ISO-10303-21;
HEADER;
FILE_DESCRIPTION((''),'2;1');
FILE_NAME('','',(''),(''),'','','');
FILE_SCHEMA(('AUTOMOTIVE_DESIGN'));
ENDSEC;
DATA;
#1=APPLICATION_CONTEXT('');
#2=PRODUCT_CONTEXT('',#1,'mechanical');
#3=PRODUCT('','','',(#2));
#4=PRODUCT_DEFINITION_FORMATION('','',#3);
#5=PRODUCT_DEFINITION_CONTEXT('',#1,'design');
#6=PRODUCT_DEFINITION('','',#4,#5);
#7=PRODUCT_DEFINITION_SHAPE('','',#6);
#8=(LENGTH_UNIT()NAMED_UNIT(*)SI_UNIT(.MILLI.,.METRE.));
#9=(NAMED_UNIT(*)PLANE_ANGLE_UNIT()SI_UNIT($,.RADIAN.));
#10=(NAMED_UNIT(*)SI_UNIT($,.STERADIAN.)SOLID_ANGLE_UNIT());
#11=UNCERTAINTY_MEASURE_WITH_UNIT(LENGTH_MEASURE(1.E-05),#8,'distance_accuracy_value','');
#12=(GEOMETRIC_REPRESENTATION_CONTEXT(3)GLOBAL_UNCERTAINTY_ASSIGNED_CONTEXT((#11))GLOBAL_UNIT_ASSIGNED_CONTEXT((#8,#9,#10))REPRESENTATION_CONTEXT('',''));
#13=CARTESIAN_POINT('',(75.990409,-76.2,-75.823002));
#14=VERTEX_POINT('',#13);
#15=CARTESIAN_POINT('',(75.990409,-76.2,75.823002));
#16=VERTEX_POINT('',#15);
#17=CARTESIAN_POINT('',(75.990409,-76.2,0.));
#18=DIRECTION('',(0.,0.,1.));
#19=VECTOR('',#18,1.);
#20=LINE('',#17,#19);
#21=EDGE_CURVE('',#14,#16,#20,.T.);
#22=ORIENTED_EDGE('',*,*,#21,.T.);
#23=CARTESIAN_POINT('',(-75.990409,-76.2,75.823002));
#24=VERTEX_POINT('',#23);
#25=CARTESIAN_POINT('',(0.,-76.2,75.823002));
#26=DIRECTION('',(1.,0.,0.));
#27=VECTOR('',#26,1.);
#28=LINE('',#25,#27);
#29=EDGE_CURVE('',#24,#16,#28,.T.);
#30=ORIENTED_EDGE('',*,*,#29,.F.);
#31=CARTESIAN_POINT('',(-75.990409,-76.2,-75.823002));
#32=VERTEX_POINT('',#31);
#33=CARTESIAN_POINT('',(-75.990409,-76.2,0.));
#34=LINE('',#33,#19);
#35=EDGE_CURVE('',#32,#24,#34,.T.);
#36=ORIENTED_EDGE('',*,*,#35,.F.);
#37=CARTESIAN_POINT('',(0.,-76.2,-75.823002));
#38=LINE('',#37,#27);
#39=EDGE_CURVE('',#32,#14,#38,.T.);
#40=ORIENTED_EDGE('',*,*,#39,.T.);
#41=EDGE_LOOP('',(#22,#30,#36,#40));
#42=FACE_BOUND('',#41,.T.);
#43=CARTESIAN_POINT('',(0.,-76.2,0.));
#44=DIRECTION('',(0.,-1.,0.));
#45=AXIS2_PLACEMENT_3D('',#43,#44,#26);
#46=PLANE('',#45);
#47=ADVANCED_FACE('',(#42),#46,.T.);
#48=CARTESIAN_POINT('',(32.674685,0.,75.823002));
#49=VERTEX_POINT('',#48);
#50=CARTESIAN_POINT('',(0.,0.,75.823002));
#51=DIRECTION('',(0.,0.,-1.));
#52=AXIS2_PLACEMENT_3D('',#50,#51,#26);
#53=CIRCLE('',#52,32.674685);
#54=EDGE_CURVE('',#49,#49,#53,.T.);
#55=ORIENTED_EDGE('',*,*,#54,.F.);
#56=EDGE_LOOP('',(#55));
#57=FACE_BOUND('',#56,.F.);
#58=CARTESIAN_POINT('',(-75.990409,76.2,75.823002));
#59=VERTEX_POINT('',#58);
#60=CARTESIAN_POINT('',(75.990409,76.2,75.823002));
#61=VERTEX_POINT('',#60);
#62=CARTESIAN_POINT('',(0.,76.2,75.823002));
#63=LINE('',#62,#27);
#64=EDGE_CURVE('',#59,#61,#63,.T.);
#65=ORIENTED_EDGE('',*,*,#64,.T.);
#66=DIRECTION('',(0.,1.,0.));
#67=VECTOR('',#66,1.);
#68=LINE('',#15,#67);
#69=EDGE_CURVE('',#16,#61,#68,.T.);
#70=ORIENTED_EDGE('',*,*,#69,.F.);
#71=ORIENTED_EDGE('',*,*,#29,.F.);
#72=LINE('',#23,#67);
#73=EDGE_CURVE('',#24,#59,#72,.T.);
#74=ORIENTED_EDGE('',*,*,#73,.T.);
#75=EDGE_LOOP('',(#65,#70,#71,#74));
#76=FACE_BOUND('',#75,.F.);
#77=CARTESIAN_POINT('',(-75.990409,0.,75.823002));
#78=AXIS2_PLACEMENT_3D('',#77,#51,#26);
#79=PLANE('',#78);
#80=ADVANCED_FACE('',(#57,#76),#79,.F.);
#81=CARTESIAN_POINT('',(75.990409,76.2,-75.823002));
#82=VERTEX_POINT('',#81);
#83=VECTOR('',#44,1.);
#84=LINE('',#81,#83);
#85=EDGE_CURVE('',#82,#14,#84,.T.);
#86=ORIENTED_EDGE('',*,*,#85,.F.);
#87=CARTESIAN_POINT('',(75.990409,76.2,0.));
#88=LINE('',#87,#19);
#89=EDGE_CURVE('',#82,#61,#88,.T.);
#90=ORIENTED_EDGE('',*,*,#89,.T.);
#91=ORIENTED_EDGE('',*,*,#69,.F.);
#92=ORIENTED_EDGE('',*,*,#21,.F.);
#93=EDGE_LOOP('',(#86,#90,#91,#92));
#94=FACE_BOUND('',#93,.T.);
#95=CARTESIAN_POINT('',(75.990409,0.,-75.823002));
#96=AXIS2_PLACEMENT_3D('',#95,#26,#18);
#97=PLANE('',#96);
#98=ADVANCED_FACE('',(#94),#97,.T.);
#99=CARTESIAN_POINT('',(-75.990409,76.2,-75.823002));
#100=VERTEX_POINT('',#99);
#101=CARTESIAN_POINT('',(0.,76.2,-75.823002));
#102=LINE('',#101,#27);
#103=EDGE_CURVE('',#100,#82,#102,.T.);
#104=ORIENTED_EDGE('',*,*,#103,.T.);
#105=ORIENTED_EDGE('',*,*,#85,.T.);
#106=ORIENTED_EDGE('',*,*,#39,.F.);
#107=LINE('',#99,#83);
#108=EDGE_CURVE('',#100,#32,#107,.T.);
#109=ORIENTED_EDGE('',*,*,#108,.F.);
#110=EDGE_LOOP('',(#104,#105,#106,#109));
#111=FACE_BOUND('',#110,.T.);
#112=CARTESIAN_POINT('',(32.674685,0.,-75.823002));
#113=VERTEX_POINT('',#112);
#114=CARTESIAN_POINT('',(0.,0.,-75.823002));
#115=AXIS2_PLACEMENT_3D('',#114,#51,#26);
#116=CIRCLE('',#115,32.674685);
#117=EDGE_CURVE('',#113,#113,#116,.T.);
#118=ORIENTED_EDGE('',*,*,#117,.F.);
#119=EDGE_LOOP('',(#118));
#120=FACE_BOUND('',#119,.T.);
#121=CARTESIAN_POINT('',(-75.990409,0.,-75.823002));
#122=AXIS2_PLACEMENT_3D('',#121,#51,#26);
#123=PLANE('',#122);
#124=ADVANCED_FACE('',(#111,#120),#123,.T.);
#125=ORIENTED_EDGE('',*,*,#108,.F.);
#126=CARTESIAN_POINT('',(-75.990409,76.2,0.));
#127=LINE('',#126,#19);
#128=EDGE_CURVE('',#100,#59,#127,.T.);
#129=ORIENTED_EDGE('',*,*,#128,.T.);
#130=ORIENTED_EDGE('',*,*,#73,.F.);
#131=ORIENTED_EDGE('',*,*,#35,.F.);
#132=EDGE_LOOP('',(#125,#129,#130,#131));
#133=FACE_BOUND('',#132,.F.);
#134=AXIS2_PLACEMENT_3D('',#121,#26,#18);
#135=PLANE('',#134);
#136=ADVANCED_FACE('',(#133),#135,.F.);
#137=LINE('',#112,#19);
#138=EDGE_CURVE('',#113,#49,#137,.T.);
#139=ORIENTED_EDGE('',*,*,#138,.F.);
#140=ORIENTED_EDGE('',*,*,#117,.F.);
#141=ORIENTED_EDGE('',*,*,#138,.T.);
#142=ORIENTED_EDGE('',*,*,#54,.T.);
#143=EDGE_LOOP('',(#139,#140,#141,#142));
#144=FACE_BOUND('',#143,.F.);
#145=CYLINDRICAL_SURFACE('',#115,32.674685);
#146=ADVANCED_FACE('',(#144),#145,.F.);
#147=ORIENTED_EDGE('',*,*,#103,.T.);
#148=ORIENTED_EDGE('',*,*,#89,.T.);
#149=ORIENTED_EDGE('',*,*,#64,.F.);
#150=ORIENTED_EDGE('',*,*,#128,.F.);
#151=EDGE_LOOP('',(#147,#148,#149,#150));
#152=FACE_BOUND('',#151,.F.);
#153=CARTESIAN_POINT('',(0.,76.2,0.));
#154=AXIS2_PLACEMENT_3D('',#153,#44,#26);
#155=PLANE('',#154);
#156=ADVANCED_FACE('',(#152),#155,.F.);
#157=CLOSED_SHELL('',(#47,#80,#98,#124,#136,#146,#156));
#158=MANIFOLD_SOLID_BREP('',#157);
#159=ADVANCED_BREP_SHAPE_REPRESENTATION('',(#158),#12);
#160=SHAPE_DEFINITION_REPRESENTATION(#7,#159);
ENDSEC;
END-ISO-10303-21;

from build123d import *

# Parameters (mm, degrees)
F0_W     = 151.980818
F0_H     = 151.646004
F1_DEPTH = 76.2
F2_R     = 32.674685
F3_DEPTH = 151.647003


with BuildPart() as f1:
    # F0 (on Front) → F1 (new body, symmetric)
    with BuildSketch(Plane.XZ):
        Rectangle(F0_W, F0_H)
    extrude(amount=F1_DEPTH, both=True)

    # F2 (on face) → F3 (cut, through all)
    with BuildSketch(Plane(origin=(0, 0, -75.823002), x_dir=(1, 0, 0), z_dir=(0, 0, -1))):
        Circle(F2_R)
    extrude(amount=-F3_DEPTH, mode=Mode.SUBTRACT)


solid = f1.part
